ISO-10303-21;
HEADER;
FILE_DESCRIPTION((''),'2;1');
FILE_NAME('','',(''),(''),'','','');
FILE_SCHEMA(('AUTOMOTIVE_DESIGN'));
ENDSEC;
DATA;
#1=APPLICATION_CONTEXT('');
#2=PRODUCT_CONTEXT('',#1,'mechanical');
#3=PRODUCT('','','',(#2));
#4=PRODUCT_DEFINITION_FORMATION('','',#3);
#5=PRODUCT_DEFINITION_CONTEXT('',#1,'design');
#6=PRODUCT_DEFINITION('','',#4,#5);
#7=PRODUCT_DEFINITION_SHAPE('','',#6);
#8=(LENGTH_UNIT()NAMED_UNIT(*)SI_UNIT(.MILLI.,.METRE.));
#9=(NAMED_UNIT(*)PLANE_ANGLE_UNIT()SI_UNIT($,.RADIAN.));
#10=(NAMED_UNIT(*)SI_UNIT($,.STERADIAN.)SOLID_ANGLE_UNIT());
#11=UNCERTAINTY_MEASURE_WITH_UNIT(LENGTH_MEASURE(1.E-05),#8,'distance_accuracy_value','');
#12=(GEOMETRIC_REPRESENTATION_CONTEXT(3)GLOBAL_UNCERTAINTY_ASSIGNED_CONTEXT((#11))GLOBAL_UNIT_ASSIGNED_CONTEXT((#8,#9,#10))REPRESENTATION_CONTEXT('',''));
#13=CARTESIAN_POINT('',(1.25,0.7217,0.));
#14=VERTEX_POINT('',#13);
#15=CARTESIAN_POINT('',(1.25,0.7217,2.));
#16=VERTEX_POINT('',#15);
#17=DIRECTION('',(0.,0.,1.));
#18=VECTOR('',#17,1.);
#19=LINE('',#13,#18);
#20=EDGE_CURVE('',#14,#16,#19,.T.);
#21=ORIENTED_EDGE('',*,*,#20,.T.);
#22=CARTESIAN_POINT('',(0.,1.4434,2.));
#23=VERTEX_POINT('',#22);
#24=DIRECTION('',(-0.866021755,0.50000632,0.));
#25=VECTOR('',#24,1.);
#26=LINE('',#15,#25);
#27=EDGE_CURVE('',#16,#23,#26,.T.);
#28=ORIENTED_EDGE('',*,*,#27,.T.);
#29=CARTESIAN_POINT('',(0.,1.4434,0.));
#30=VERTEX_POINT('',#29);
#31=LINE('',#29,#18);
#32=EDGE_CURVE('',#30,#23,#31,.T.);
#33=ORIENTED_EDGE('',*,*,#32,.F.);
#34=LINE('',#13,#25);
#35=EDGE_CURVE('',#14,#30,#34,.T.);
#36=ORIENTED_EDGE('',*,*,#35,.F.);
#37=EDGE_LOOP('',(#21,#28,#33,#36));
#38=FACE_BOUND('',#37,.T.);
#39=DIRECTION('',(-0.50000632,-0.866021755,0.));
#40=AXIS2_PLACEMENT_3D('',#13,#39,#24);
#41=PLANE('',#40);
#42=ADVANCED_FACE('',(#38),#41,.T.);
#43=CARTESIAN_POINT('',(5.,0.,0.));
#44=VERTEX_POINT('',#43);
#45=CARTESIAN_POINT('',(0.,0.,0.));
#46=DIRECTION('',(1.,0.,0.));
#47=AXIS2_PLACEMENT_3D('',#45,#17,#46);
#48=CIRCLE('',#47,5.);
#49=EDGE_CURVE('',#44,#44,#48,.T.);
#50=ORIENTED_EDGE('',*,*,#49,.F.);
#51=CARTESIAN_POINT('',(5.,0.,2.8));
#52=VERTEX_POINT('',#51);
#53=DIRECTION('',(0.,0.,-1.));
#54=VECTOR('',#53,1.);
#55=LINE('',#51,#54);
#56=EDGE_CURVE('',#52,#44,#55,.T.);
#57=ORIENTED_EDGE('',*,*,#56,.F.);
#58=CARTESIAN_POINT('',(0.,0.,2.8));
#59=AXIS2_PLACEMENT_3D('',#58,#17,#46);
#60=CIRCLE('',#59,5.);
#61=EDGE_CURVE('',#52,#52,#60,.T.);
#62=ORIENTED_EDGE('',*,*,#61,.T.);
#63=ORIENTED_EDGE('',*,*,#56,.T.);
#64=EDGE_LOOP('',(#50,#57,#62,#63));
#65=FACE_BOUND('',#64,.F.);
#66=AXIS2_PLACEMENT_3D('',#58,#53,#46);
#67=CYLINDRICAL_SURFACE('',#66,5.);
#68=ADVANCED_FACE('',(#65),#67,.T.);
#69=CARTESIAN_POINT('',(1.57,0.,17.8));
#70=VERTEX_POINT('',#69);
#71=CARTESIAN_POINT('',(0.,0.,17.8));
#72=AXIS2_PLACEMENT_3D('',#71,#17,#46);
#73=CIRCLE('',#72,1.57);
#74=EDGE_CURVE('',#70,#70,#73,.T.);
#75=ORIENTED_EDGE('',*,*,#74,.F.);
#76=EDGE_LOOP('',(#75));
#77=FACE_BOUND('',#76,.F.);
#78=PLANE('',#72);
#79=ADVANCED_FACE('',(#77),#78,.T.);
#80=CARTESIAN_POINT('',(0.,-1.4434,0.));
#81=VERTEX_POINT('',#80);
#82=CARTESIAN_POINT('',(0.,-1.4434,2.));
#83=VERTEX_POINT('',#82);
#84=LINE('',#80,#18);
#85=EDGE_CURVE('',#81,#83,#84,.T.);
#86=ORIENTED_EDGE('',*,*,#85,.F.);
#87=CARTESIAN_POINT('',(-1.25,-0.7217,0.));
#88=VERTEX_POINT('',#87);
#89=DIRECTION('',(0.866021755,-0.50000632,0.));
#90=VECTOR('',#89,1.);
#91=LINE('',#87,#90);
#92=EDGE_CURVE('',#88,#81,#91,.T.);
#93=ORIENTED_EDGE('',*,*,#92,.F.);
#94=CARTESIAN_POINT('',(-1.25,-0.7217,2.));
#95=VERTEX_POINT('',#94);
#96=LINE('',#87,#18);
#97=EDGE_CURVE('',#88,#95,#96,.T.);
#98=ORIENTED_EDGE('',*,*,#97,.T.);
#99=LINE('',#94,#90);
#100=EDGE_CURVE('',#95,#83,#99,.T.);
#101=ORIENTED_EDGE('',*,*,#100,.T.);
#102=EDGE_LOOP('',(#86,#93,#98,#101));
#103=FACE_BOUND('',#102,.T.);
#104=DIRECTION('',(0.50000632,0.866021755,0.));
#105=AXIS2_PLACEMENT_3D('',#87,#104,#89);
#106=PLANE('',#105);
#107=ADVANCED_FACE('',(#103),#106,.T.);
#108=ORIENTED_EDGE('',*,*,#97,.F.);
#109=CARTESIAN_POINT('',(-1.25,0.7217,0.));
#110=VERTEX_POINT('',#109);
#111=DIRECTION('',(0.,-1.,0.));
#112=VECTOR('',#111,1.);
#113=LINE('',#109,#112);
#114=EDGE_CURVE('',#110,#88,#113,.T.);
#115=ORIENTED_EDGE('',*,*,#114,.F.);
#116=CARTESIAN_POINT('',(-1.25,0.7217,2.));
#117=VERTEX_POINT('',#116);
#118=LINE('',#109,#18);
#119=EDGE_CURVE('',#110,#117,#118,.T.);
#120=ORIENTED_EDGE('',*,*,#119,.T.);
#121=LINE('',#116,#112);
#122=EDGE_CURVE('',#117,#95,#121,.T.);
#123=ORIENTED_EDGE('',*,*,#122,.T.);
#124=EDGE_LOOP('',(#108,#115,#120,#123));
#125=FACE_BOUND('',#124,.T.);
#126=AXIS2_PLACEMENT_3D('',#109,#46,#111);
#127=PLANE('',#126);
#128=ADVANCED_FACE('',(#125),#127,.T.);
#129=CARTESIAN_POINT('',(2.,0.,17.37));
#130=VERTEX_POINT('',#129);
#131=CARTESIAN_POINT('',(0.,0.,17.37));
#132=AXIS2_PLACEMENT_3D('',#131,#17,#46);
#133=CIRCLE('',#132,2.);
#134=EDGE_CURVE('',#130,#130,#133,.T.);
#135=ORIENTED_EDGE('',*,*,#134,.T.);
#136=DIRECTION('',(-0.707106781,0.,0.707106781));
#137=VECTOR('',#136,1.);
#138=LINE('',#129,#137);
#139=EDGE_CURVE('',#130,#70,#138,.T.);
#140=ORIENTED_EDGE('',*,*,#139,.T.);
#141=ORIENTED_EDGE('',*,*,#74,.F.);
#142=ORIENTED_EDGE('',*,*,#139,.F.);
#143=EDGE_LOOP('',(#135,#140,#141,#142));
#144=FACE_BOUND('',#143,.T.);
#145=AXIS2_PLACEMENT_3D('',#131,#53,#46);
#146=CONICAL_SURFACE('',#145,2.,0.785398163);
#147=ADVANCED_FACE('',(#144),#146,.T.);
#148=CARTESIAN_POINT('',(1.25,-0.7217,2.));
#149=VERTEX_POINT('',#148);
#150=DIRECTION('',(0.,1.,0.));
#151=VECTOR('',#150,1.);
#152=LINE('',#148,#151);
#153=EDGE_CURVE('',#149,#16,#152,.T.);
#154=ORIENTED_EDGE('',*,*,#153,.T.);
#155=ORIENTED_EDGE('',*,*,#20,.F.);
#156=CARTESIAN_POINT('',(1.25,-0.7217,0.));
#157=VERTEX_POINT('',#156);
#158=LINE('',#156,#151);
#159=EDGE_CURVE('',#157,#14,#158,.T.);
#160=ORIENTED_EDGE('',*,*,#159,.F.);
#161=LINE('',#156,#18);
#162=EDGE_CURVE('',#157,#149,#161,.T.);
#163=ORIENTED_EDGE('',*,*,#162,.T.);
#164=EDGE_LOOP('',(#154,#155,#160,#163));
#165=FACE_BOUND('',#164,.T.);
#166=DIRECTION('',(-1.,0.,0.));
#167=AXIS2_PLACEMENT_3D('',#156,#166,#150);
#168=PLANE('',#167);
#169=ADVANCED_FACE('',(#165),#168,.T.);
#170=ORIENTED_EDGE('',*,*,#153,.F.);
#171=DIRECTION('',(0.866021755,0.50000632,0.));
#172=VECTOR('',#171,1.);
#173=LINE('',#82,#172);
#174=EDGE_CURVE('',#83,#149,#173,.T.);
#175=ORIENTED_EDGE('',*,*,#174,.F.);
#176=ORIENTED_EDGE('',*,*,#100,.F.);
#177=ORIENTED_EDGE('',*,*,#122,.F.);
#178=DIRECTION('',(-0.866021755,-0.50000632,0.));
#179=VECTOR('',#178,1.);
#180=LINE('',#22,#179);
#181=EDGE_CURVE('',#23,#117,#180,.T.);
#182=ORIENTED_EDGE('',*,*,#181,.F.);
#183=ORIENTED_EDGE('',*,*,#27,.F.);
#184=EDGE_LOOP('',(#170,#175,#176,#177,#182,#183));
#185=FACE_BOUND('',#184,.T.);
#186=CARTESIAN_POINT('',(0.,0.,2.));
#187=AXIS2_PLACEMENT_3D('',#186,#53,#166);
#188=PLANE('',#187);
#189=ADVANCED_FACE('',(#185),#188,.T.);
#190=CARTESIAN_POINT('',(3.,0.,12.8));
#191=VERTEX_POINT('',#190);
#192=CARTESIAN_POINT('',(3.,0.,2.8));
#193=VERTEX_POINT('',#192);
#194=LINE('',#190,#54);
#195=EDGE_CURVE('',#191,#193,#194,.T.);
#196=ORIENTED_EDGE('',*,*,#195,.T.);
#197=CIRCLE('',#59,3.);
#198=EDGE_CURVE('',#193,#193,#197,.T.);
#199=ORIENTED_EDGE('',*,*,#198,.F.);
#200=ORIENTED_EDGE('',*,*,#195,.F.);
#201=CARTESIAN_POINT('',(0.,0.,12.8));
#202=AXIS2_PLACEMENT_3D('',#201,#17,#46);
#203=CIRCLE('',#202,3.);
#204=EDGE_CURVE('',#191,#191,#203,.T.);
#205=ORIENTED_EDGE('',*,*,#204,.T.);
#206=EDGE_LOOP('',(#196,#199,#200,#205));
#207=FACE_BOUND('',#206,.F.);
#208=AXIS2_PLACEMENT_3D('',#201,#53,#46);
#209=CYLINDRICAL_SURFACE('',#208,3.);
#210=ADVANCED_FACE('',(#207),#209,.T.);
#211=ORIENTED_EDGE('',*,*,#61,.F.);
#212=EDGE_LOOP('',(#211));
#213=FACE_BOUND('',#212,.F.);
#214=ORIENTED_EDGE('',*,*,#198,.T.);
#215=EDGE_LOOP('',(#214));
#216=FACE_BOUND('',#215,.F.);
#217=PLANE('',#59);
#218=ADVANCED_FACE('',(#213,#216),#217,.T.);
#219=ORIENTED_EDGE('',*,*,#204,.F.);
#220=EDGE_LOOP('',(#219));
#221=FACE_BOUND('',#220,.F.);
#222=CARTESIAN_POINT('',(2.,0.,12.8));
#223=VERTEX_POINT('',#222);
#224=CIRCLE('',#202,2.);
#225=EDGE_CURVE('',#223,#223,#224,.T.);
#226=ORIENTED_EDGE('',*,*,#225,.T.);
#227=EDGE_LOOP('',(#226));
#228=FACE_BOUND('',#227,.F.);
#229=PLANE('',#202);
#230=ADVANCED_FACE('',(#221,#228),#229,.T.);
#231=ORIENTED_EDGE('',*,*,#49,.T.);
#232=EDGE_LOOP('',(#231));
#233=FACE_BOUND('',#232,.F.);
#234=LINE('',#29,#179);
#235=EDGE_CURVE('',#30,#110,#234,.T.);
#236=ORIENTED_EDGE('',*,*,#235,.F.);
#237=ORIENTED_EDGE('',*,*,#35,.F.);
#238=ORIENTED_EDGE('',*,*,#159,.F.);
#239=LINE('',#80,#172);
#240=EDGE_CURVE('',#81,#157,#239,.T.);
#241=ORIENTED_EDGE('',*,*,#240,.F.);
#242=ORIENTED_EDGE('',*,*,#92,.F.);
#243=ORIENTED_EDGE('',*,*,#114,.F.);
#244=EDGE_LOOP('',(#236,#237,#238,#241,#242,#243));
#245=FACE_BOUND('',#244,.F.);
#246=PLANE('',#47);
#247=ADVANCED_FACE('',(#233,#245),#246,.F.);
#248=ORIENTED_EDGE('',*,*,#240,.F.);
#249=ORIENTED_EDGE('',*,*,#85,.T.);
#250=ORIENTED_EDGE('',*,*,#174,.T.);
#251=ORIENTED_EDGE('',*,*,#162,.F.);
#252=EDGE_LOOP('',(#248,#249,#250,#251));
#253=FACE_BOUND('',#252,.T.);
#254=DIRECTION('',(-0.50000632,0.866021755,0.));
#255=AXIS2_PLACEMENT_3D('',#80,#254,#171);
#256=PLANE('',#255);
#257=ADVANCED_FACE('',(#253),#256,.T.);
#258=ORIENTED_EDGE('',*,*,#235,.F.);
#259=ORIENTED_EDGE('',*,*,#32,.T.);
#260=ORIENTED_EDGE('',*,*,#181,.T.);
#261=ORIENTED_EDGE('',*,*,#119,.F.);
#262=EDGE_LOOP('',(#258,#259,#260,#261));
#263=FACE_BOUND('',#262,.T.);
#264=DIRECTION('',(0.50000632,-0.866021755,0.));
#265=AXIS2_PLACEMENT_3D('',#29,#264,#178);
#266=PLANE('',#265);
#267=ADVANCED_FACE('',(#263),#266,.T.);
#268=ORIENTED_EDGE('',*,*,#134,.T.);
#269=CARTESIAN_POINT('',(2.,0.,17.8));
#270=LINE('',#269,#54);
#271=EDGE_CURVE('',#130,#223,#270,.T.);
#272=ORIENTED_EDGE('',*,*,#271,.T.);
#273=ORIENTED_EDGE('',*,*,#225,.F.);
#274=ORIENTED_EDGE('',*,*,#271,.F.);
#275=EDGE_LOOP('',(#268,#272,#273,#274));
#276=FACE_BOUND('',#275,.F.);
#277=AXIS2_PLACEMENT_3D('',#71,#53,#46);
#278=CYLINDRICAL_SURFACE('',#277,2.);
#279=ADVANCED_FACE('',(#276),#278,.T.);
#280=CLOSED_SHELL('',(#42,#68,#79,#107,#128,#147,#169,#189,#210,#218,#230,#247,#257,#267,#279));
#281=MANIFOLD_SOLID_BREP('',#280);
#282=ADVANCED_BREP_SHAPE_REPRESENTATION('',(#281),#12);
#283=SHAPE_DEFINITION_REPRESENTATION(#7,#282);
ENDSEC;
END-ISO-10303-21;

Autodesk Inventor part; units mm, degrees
ref_plane "YZ Plane" through (0, 0, 0) normal (1, 0, 0) x (0, 1, 0)
ref_plane "XZ Plane" through (0, 0, 0) normal (0, 1, 0) x (-1, 0, 0)
ref_plane "XY Plane" through (0, 0, 0) normal (0, 0, 1) x (1, 0, 0)
sketch "Sketch1" plane through (0, 0, 0) normal (0, 1, 0) x (-1, 0, 0)
  line L0 (0, 0) -> (0, 17.8)
  line L1 (0, 17.8) -> (-2, 17.8)
  line L2 (-2, 17.8) -> (-2, 12.8)
  line L3 (-2, 12.8) -> (-3, 12.8)
  line L4 (-3, 12.8) -> (-3, 2.8)
  line L5 (-3, 2.8) -> (-5, 2.8)
  line L6 (-5, 2.8) -> (-5, 0)
  line L7 (-5, 0) -> (0, 0)
  dimension "d0" = 10
  dimension "d1" = 6
  dimension "d2" = 4
  dimension "d3" = 5
  dimension "d4" = 10
  dimension "d5" = 2.8
revolve "Revolution1" add sketch "Sketch1" angle 360 about axis through (0, 0, 0) along (0, 0, 1)
thread "Thread1" size "M4x0.7" class "6g" standard "ANSI Metric M Profile" length 6 offset 1.2
sketch "Sketch2" plane through (0, 0, 0) normal (0, 0, -1) x (-1, 0, 0)
  line L0 (0, 1.4434) -> (1.25, 0.7217)
  line L1 (1.25, 0.7217) -> (1.25, -0.7217)
  line L2 (1.25, -0.7217) -> (0, -1.4434)
  line L3 (0, -1.4434) -> (-1.25, -0.7217)
  line L4 (-1.25, -0.7217) -> (-1.25, 0.7217)
  line L5 (-1.25, 0.7217) -> (0, 1.4434)
  point P0 (0, 0)
  point P1 (0, 0)
  dimension "d9" = 2.5
extrude "Extrusion1" cut sketch "Sketch2" against normal blind 2
chamfer "Chamfer1" distance 0.43 angle 45 1 edges at (-2, 0, 17.8)
properties part number "DBTSY4-10-5-DHC" material "Stainless Steel AISI 304"
